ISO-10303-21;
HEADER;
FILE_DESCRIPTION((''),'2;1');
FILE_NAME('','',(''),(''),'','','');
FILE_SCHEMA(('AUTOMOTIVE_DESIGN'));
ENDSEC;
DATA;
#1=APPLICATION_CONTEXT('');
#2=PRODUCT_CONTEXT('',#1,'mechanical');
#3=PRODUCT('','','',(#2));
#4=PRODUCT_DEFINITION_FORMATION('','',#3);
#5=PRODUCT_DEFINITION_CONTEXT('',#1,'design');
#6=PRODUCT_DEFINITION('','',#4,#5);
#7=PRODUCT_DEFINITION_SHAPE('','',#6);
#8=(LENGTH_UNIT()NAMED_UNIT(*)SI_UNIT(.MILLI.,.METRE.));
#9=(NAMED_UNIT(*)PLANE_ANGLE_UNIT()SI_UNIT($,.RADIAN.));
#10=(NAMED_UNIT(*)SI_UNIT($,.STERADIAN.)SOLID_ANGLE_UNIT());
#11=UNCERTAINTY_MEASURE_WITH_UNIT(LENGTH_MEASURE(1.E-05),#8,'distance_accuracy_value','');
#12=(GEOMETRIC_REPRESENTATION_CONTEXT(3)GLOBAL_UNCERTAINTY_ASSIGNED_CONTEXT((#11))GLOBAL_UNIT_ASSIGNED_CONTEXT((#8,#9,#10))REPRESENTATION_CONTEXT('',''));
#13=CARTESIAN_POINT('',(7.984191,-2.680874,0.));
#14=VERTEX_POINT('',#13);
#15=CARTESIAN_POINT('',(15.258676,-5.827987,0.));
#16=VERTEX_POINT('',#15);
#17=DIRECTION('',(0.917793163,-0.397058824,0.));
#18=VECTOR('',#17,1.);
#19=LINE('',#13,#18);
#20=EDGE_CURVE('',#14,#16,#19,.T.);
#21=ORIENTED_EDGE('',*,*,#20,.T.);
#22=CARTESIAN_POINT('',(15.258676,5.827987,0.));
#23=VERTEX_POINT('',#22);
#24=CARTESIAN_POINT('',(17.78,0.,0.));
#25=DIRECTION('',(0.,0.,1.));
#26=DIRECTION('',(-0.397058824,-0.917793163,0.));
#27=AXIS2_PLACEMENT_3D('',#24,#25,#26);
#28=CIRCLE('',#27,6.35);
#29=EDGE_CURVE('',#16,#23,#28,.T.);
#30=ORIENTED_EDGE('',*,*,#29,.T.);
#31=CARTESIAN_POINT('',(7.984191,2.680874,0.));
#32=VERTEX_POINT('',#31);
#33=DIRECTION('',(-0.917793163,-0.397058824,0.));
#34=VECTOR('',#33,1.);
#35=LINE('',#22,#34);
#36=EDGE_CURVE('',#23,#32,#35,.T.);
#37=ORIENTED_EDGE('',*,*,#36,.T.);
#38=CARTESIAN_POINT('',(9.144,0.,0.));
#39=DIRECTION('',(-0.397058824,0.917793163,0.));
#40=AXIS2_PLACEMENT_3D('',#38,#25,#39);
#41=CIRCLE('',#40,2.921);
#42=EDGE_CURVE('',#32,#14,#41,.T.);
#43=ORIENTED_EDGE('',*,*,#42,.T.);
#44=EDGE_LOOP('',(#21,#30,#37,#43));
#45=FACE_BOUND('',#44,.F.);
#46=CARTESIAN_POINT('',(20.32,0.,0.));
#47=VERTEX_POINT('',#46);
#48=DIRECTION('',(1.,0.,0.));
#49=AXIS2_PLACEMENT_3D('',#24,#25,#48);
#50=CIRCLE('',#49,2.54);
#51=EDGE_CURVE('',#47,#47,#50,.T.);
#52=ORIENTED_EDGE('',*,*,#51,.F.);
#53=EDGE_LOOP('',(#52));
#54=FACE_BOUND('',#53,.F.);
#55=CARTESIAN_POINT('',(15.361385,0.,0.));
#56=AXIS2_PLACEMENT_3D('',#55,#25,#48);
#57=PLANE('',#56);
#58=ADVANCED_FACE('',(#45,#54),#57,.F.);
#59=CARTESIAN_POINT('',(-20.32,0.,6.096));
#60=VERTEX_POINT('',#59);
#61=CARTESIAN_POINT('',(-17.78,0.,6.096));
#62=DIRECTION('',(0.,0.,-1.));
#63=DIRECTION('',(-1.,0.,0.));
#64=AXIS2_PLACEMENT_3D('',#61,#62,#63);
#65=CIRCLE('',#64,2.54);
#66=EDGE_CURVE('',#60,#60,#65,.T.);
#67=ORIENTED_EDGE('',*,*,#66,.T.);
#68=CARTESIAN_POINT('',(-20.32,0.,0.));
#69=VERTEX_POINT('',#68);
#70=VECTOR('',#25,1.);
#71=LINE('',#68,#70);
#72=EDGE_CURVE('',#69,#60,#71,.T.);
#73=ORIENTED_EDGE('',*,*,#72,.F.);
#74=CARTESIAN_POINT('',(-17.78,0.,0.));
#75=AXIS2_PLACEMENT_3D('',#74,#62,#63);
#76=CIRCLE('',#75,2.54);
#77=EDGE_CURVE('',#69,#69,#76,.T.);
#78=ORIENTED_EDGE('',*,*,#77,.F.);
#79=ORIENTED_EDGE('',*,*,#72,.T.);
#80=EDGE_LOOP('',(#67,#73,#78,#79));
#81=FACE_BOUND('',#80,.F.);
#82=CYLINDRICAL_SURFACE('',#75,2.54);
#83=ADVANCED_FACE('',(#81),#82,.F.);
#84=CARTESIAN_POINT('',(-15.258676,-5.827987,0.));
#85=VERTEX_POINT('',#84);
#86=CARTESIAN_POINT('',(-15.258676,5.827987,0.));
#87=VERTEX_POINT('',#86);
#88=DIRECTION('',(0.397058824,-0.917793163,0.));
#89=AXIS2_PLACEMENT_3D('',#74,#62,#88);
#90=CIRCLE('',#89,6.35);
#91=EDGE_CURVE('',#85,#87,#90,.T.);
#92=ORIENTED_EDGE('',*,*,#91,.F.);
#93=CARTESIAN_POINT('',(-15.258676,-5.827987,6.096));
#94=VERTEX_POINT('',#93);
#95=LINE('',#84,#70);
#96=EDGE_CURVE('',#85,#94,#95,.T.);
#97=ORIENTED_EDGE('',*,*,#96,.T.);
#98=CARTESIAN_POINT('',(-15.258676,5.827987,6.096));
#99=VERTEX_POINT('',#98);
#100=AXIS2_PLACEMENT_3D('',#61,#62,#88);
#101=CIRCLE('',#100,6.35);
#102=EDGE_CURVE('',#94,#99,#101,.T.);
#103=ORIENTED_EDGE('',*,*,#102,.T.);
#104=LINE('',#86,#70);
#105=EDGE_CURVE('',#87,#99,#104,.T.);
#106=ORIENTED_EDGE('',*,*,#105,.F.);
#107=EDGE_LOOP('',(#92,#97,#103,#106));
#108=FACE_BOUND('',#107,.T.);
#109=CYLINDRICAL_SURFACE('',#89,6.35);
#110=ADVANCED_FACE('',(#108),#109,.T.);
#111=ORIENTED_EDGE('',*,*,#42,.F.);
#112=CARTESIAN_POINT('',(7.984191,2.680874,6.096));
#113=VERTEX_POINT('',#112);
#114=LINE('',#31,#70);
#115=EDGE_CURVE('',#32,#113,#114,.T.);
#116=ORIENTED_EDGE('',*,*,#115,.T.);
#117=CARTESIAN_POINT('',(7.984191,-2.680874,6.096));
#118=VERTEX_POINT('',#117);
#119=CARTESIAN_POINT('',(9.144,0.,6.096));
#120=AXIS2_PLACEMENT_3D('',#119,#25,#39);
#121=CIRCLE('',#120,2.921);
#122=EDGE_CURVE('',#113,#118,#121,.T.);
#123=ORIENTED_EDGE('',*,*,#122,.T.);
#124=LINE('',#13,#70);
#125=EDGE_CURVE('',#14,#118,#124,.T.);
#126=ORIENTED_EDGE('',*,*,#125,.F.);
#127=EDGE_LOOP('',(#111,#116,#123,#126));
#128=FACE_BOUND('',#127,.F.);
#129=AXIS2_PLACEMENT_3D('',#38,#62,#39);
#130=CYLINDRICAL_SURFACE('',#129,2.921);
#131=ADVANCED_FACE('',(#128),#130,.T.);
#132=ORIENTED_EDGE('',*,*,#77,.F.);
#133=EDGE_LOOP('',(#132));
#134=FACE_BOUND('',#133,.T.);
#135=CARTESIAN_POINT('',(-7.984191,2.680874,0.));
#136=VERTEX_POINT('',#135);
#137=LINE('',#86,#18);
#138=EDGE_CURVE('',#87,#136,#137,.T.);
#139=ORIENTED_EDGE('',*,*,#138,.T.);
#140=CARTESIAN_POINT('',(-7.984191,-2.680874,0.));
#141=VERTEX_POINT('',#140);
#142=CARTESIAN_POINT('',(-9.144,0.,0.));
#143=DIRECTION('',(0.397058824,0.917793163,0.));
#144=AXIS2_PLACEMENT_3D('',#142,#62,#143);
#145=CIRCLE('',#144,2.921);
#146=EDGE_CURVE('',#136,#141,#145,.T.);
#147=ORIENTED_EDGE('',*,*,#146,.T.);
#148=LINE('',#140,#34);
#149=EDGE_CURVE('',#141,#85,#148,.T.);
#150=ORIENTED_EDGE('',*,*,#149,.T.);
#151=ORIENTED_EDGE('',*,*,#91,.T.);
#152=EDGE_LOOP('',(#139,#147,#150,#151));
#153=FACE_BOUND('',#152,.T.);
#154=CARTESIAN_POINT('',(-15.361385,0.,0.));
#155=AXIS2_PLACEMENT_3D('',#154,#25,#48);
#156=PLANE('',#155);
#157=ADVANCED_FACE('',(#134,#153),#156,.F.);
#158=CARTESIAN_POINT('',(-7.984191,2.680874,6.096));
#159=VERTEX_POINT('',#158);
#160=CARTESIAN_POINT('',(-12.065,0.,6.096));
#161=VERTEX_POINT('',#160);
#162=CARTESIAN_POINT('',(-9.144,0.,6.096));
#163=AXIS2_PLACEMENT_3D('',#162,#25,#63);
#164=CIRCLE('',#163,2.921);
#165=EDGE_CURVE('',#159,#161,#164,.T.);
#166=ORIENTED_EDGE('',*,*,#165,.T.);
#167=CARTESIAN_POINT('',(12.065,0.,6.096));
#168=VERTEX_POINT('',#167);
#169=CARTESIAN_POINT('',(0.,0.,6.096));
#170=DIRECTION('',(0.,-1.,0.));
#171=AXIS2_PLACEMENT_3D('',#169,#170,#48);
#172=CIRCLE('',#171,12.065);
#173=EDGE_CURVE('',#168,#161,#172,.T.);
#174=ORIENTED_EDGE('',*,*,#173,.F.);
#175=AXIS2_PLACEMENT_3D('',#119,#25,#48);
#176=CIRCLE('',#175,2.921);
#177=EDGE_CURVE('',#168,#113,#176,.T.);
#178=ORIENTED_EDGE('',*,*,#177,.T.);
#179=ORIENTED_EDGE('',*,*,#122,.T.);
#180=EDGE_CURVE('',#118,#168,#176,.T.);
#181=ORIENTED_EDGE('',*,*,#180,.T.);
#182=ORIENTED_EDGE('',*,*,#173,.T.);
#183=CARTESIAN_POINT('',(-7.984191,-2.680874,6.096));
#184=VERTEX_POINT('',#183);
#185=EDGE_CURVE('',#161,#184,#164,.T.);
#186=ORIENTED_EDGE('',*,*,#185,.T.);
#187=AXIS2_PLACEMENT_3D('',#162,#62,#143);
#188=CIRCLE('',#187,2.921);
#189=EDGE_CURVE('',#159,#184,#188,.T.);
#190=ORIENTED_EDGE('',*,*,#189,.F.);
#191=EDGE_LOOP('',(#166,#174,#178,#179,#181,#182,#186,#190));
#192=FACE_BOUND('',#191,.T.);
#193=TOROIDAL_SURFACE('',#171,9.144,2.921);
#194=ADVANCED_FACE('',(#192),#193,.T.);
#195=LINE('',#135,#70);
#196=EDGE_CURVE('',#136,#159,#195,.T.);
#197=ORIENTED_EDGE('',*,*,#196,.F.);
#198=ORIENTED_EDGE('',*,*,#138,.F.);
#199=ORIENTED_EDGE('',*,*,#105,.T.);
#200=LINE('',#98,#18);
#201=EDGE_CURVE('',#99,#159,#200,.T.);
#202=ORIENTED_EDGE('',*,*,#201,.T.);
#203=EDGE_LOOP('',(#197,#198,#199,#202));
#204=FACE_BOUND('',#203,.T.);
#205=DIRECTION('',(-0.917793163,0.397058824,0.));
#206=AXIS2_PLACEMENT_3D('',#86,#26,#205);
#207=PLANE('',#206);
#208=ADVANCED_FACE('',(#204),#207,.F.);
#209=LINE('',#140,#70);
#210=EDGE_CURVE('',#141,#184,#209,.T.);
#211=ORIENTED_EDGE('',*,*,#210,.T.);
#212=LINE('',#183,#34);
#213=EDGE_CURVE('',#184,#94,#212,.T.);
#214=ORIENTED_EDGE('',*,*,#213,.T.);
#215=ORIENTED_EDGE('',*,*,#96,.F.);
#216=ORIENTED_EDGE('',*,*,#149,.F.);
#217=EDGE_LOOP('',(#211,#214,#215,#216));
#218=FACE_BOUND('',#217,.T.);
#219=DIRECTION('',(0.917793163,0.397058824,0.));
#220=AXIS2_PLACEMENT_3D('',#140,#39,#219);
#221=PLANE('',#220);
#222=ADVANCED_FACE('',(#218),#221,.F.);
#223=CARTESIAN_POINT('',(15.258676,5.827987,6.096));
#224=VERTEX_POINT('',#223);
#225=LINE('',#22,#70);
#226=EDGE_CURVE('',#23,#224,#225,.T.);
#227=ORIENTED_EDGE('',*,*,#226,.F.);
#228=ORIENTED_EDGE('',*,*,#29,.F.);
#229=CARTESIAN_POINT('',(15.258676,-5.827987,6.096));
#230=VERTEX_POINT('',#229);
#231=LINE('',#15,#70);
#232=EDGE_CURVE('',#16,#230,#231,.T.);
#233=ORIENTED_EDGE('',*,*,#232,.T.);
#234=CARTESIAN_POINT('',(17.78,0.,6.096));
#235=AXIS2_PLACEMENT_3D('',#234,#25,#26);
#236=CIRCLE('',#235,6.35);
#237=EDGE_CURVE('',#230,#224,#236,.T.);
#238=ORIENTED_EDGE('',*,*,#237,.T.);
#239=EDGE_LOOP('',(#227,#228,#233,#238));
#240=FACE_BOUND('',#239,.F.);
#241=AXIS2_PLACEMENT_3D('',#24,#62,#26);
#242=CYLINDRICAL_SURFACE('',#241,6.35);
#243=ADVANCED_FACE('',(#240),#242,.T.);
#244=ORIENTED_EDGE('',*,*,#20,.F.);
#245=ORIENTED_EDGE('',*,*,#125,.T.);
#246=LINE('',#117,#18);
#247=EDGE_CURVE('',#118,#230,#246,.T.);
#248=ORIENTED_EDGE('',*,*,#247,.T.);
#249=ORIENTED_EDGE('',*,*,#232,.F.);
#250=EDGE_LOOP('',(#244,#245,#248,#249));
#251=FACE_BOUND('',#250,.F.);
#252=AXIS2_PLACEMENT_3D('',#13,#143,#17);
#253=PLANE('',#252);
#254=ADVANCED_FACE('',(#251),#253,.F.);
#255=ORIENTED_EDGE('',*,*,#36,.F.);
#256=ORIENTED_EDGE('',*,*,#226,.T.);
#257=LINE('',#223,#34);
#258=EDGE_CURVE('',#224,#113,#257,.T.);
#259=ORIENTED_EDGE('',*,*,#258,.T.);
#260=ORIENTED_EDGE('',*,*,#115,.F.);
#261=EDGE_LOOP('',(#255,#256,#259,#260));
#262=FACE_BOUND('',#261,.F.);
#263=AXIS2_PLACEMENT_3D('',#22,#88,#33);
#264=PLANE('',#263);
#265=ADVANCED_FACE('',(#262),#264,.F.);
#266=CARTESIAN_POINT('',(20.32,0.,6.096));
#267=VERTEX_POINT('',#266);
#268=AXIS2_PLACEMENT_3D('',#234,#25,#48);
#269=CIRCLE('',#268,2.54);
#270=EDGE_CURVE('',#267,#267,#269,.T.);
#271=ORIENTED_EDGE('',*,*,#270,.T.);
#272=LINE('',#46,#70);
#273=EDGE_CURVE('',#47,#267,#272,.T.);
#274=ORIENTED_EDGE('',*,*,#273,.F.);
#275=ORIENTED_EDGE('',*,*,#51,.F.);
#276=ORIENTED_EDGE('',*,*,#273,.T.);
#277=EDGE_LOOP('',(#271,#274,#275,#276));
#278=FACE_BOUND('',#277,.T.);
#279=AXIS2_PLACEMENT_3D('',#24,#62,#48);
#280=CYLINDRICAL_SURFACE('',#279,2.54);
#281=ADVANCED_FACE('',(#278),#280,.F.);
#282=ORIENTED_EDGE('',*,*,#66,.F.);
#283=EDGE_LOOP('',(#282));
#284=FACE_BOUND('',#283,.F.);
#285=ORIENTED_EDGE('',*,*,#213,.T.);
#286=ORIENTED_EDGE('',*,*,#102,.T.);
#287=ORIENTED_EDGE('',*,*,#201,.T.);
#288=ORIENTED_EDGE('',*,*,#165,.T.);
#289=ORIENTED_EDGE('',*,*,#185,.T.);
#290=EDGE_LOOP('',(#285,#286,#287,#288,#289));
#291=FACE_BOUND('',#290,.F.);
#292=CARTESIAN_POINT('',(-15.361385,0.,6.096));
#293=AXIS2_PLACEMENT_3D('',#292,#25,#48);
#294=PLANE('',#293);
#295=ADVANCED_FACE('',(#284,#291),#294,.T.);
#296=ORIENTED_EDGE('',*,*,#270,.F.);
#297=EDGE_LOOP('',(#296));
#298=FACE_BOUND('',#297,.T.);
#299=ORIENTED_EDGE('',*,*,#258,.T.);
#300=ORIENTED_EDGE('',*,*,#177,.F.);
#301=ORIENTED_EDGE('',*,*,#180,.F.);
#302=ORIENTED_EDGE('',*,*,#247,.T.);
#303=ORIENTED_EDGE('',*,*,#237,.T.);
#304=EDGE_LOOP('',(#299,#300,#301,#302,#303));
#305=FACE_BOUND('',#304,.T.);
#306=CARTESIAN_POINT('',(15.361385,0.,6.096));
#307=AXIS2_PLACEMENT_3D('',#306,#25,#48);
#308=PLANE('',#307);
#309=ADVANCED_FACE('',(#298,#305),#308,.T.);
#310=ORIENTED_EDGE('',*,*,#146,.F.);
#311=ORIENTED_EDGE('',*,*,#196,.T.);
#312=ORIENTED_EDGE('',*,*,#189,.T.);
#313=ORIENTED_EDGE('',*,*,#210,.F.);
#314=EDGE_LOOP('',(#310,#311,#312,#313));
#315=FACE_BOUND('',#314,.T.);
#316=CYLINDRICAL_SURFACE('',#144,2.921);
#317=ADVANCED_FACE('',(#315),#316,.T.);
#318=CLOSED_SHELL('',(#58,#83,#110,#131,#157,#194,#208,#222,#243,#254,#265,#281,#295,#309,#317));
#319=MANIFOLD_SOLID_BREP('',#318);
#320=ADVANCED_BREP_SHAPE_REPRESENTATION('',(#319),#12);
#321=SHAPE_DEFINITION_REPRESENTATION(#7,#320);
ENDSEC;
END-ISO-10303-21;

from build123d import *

# Parameters (mm, degrees)
F0_R      = 2.921
F3_R      = 2.921
F4_FACE_R = 2.921
F8_R      = 2.54
F9_DEPTH  = 6.096


with BuildPart() as f4:
    # F0 (on Top) → F4 section 0
    with BuildSketch(Plane.XY):
        with Locations((9.144, 0)):
            Circle(F0_R)
    # F3 (on offset) → F4 section 1
    with BuildSketch(Plane.XY.offset(6.096)):
        with Locations((9.144, 0)):
            Circle(F3_R)
    loft()

    # F6: sweep along a path in F5
    with BuildLine(Plane.XZ) as f6_path:
        ThreePointArc((9.144, 6.096), (0, 15.24), (-9.144, 6.096))
    # F4_face (on face) → F6 (sweep)
    with BuildSketch(Plane(origin=(9.144, 0, 6.096), x_dir=(1, 0, 0), z_dir=(0, 0, 1))):
        Circle(F4_FACE_R)
    sweep(path=f6_path.line)

    # F7: F4 across plane


with BuildPart() as f4_1:
    add(f4.part)
    add(f4.part.mirror(Plane.YZ))

    # F8 (on Top) → F9 (join)
    with BuildSketch(Plane.XY):
        with BuildLine():
            Line((7.9841911765, -2.6808738301), (15.2586764706, -5.8279865872))
            ThreePointArc((15.2586764706, -5.8279865872), (24.13, 0), (15.2586764706, 5.8279865872))
            Line((15.2586764706, 5.8279865872), (7.9841911765, 2.6808738301))
            ThreePointArc((7.9841911765, 2.6808738301), (6.223, 0), (7.9841911765, -2.6808738301))
        make_face()
        with Locations((17.78, 0)):
            Circle(F8_R, mode=Mode.SUBTRACT)
    extrude(amount=F9_DEPTH)

    # F10: F4 across plane


with BuildPart() as f4_2:
    add(f4_1.part)
    add(f4_1.part.mirror(Plane.YZ))


solid = f4_2.part
